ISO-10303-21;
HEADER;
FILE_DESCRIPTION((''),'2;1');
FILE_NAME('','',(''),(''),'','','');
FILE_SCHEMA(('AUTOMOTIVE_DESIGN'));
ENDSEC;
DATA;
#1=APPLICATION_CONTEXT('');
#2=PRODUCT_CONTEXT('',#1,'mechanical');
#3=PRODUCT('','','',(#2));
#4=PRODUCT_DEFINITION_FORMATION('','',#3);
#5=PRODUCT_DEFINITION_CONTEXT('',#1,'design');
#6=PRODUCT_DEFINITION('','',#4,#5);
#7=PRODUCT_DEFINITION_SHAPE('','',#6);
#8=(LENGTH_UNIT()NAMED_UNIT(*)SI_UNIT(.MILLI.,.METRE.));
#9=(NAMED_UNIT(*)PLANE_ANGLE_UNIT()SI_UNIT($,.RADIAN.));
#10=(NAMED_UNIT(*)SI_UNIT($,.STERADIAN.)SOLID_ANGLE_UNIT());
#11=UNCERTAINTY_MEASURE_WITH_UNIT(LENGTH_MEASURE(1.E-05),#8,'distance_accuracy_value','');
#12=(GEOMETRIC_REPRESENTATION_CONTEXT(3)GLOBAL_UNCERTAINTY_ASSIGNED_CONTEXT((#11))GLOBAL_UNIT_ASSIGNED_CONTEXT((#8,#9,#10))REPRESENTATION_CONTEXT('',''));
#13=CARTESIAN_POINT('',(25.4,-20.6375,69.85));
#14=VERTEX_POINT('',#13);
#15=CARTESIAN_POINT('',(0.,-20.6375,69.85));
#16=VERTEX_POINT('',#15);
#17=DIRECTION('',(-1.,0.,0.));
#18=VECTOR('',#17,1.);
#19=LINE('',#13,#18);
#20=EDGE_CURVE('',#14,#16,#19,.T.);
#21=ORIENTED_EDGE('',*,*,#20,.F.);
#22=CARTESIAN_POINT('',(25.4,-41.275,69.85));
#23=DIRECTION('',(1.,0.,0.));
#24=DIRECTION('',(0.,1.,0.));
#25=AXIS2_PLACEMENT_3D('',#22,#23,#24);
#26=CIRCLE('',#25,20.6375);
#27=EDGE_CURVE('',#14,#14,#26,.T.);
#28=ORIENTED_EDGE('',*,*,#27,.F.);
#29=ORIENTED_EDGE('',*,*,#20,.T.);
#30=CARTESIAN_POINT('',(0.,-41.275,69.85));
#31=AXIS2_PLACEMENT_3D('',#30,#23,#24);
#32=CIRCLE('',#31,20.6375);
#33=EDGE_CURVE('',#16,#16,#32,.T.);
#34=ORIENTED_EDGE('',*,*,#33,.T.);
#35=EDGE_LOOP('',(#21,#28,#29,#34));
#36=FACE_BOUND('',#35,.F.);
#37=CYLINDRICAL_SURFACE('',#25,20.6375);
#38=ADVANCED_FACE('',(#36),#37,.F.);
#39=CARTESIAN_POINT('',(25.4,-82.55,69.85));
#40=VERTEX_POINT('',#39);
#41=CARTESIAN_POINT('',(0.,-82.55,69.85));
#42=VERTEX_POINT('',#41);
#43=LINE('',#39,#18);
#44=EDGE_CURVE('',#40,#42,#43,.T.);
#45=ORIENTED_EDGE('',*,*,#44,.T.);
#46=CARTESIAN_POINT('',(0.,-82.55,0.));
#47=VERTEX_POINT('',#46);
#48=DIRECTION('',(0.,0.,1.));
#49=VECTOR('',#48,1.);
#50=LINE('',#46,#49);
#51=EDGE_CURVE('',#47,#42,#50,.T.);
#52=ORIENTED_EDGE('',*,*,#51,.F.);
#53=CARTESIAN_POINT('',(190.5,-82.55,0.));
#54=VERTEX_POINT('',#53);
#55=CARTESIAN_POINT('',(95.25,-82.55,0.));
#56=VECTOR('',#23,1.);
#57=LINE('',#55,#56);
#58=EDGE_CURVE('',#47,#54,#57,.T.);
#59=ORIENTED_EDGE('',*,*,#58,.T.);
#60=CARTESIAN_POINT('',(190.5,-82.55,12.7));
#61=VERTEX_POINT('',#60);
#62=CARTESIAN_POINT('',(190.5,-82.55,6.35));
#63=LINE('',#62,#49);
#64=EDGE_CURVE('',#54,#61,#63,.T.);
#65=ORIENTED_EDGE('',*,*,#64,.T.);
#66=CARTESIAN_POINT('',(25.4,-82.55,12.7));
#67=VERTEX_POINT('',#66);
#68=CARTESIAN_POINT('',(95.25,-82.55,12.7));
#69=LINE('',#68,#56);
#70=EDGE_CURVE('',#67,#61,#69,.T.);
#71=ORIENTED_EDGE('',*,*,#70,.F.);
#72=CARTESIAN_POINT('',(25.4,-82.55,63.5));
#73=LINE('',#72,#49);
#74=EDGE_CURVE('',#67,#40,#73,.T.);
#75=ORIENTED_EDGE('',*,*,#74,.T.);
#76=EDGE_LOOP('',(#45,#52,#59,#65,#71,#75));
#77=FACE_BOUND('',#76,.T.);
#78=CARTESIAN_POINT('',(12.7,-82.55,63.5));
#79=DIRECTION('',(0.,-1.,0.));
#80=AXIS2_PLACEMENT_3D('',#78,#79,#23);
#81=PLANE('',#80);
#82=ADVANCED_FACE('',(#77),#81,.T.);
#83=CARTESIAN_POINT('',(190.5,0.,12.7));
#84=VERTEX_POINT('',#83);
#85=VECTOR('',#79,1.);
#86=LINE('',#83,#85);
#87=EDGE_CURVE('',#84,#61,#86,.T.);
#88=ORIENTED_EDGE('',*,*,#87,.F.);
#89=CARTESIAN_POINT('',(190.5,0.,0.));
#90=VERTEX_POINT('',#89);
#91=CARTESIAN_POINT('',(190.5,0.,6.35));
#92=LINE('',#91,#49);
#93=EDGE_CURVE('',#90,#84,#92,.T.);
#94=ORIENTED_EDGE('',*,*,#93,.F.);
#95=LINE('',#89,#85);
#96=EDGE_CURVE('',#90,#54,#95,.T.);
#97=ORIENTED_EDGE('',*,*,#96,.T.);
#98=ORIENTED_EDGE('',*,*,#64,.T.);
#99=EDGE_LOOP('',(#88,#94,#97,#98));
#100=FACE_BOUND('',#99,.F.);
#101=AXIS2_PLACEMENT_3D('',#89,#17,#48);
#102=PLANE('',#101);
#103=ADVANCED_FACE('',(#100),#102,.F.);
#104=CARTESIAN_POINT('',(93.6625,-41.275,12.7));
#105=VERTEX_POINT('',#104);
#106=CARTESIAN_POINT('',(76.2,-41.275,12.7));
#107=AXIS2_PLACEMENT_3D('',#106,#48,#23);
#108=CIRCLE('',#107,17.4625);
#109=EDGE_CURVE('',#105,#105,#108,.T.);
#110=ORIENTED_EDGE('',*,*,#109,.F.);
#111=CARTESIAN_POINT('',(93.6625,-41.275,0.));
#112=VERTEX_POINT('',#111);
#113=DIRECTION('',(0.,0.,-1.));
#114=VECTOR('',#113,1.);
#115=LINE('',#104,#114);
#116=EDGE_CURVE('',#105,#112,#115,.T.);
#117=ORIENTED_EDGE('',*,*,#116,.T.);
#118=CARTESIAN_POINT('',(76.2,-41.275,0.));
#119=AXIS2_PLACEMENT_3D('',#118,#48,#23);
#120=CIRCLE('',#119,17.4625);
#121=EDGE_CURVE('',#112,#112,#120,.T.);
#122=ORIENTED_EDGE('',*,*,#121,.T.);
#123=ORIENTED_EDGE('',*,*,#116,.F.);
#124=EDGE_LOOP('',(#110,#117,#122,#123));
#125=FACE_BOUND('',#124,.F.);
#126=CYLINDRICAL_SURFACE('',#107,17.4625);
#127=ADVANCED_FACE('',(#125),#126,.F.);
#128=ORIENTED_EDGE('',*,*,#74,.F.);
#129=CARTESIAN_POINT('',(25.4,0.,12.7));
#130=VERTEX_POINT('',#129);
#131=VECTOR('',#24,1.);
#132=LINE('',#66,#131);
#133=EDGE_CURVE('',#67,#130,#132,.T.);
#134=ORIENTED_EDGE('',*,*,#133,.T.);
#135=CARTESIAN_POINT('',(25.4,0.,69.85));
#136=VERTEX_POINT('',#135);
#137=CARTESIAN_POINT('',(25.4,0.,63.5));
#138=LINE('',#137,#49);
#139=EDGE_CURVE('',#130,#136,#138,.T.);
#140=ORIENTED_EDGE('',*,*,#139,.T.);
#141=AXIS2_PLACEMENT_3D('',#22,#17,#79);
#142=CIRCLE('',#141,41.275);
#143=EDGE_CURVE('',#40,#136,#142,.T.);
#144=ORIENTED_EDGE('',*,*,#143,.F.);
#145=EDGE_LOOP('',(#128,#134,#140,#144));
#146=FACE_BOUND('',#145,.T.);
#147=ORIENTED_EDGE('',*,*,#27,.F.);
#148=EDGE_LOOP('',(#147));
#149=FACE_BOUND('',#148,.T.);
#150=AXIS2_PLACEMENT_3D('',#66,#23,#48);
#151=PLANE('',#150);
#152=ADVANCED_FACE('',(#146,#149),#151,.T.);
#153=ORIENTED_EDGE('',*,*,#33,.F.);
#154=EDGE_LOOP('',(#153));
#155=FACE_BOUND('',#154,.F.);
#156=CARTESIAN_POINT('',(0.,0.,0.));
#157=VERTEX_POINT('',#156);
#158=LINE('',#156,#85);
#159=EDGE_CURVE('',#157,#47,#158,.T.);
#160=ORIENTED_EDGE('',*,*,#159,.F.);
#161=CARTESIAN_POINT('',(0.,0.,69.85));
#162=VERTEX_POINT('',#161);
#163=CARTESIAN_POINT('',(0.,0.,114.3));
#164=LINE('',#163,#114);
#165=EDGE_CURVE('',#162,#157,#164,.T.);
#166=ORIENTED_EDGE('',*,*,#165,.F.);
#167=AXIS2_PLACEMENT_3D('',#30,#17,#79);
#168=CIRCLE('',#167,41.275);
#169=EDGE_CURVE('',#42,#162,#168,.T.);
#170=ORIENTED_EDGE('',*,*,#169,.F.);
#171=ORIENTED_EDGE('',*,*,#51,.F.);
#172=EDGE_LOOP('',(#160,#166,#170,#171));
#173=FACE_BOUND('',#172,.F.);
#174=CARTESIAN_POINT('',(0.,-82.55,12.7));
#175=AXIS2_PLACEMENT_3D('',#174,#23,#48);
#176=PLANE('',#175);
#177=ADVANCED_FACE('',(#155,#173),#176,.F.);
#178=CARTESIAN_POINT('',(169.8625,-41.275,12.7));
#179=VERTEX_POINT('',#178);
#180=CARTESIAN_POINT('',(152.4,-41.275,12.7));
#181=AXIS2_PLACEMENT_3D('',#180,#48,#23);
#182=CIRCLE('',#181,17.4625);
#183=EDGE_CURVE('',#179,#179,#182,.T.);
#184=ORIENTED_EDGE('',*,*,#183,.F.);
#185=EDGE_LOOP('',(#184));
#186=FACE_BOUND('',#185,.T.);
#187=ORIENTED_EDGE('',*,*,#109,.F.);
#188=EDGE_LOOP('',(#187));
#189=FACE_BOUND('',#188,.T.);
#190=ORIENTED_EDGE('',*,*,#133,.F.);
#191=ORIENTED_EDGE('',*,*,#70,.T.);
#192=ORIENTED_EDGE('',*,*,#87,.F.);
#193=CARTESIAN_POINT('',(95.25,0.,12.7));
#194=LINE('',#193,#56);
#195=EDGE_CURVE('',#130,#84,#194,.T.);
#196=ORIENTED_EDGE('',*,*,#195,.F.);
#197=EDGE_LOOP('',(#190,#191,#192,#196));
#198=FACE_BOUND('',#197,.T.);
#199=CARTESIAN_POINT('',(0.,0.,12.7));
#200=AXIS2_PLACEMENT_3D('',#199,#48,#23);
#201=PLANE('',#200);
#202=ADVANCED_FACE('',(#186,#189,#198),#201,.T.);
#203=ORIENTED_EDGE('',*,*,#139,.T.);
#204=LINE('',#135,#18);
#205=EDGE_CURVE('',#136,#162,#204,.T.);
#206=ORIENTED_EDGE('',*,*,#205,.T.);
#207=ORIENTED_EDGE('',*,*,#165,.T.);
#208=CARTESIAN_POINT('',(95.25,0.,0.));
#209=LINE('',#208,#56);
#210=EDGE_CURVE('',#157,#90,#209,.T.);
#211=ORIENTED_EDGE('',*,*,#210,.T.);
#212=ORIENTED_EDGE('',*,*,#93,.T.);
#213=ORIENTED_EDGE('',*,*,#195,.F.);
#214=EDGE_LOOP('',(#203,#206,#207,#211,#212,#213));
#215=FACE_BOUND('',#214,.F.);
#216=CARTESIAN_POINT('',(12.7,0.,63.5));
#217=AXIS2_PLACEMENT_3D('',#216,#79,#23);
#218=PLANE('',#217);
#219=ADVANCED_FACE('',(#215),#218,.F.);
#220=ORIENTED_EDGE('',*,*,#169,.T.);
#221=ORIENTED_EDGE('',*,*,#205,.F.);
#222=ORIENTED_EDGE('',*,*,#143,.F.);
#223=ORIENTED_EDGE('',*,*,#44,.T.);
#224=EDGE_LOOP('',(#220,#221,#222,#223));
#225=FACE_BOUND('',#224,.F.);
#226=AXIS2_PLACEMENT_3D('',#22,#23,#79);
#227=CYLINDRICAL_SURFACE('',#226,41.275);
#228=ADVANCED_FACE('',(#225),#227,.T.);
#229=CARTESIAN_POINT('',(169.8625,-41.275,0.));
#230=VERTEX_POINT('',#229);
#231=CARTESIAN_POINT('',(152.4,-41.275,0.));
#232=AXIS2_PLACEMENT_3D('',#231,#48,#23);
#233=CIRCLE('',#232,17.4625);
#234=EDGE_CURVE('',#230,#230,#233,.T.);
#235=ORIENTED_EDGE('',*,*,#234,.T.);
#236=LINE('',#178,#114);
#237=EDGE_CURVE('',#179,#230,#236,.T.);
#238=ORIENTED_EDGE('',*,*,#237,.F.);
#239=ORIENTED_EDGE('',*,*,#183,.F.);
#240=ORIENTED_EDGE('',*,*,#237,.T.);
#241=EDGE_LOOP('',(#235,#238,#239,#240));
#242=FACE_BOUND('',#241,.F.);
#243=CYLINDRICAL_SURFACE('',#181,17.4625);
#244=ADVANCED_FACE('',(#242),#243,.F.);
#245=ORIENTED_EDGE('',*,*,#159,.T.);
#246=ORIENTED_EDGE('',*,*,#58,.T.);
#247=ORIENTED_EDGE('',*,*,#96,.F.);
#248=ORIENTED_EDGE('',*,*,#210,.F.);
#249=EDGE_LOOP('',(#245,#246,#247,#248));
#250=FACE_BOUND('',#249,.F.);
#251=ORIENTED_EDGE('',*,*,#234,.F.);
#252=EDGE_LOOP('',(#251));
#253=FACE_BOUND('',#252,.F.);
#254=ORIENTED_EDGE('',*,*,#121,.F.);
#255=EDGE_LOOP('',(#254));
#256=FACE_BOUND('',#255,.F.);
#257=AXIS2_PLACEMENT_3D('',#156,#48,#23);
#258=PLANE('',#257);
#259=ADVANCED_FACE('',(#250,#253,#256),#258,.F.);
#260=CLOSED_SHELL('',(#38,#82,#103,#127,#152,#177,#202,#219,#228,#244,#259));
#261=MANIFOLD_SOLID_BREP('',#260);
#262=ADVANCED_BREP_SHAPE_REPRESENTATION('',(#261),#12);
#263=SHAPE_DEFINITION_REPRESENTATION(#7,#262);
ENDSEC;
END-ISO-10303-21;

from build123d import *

# Parameters (mm, degrees)
F0_W     = 190.5
F0_H     = 12.7
F1_DEPTH = 82.55
F2_R     = 17.4625
F3_DEPTH = 25.4
F4_W     = 25.4
F4_H     = 101.6
F5_DEPTH = 82.55
F7_DEPTH = 25.4
F8_R     = 20.6375
F9_DEPTH = 25.401


with BuildPart() as f1:
    # F0 (on Front) → F1 (new body)
    with BuildSketch(Plane.XZ):
        with Locations((95.25, 6.35)):
            Rectangle(F0_W, F0_H)
    extrude(amount=F1_DEPTH)

    # F2 (on face) → F3 (cut)
    with BuildSketch(Plane.XY.offset(12.7)):
        with Locations((76.2, -41.275)):
            Circle(F2_R)
        with Locations((152.4, -41.275)):
            Circle(F2_R)
    extrude(amount=-F3_DEPTH, mode=Mode.SUBTRACT)

    # F4 (on face) → F5 (join)
    with BuildSketch(Plane.XZ.offset(82.55)):
        with Locations((12.7, 63.5)):
            Rectangle(F4_W, F4_H)
    extrude(amount=-F5_DEPTH)

    # F6 (on face) → F7 (cut)
    with BuildSketch(Plane.YZ.offset(25.4)):
        with BuildLine():
            Line((-82.55, 114.3), (-82.55, 69.85))
            ThreePointArc((-82.55, 69.85), (-41.275, 111.125), (0, 69.85))
            Line((0, 69.85), (0, 114.3))
            Line((0, 114.3), (-82.55, 114.3))
        make_face()
    extrude(amount=-F7_DEPTH, mode=Mode.SUBTRACT)

    # F8 (on face) → F9 (cut, through all)
    with BuildSketch(Plane.YZ.offset(25.4)):
        with Locations((-41.275, 69.85)):
            Circle(F8_R)
    extrude(amount=-F9_DEPTH, mode=Mode.SUBTRACT)


solid = f1.part
